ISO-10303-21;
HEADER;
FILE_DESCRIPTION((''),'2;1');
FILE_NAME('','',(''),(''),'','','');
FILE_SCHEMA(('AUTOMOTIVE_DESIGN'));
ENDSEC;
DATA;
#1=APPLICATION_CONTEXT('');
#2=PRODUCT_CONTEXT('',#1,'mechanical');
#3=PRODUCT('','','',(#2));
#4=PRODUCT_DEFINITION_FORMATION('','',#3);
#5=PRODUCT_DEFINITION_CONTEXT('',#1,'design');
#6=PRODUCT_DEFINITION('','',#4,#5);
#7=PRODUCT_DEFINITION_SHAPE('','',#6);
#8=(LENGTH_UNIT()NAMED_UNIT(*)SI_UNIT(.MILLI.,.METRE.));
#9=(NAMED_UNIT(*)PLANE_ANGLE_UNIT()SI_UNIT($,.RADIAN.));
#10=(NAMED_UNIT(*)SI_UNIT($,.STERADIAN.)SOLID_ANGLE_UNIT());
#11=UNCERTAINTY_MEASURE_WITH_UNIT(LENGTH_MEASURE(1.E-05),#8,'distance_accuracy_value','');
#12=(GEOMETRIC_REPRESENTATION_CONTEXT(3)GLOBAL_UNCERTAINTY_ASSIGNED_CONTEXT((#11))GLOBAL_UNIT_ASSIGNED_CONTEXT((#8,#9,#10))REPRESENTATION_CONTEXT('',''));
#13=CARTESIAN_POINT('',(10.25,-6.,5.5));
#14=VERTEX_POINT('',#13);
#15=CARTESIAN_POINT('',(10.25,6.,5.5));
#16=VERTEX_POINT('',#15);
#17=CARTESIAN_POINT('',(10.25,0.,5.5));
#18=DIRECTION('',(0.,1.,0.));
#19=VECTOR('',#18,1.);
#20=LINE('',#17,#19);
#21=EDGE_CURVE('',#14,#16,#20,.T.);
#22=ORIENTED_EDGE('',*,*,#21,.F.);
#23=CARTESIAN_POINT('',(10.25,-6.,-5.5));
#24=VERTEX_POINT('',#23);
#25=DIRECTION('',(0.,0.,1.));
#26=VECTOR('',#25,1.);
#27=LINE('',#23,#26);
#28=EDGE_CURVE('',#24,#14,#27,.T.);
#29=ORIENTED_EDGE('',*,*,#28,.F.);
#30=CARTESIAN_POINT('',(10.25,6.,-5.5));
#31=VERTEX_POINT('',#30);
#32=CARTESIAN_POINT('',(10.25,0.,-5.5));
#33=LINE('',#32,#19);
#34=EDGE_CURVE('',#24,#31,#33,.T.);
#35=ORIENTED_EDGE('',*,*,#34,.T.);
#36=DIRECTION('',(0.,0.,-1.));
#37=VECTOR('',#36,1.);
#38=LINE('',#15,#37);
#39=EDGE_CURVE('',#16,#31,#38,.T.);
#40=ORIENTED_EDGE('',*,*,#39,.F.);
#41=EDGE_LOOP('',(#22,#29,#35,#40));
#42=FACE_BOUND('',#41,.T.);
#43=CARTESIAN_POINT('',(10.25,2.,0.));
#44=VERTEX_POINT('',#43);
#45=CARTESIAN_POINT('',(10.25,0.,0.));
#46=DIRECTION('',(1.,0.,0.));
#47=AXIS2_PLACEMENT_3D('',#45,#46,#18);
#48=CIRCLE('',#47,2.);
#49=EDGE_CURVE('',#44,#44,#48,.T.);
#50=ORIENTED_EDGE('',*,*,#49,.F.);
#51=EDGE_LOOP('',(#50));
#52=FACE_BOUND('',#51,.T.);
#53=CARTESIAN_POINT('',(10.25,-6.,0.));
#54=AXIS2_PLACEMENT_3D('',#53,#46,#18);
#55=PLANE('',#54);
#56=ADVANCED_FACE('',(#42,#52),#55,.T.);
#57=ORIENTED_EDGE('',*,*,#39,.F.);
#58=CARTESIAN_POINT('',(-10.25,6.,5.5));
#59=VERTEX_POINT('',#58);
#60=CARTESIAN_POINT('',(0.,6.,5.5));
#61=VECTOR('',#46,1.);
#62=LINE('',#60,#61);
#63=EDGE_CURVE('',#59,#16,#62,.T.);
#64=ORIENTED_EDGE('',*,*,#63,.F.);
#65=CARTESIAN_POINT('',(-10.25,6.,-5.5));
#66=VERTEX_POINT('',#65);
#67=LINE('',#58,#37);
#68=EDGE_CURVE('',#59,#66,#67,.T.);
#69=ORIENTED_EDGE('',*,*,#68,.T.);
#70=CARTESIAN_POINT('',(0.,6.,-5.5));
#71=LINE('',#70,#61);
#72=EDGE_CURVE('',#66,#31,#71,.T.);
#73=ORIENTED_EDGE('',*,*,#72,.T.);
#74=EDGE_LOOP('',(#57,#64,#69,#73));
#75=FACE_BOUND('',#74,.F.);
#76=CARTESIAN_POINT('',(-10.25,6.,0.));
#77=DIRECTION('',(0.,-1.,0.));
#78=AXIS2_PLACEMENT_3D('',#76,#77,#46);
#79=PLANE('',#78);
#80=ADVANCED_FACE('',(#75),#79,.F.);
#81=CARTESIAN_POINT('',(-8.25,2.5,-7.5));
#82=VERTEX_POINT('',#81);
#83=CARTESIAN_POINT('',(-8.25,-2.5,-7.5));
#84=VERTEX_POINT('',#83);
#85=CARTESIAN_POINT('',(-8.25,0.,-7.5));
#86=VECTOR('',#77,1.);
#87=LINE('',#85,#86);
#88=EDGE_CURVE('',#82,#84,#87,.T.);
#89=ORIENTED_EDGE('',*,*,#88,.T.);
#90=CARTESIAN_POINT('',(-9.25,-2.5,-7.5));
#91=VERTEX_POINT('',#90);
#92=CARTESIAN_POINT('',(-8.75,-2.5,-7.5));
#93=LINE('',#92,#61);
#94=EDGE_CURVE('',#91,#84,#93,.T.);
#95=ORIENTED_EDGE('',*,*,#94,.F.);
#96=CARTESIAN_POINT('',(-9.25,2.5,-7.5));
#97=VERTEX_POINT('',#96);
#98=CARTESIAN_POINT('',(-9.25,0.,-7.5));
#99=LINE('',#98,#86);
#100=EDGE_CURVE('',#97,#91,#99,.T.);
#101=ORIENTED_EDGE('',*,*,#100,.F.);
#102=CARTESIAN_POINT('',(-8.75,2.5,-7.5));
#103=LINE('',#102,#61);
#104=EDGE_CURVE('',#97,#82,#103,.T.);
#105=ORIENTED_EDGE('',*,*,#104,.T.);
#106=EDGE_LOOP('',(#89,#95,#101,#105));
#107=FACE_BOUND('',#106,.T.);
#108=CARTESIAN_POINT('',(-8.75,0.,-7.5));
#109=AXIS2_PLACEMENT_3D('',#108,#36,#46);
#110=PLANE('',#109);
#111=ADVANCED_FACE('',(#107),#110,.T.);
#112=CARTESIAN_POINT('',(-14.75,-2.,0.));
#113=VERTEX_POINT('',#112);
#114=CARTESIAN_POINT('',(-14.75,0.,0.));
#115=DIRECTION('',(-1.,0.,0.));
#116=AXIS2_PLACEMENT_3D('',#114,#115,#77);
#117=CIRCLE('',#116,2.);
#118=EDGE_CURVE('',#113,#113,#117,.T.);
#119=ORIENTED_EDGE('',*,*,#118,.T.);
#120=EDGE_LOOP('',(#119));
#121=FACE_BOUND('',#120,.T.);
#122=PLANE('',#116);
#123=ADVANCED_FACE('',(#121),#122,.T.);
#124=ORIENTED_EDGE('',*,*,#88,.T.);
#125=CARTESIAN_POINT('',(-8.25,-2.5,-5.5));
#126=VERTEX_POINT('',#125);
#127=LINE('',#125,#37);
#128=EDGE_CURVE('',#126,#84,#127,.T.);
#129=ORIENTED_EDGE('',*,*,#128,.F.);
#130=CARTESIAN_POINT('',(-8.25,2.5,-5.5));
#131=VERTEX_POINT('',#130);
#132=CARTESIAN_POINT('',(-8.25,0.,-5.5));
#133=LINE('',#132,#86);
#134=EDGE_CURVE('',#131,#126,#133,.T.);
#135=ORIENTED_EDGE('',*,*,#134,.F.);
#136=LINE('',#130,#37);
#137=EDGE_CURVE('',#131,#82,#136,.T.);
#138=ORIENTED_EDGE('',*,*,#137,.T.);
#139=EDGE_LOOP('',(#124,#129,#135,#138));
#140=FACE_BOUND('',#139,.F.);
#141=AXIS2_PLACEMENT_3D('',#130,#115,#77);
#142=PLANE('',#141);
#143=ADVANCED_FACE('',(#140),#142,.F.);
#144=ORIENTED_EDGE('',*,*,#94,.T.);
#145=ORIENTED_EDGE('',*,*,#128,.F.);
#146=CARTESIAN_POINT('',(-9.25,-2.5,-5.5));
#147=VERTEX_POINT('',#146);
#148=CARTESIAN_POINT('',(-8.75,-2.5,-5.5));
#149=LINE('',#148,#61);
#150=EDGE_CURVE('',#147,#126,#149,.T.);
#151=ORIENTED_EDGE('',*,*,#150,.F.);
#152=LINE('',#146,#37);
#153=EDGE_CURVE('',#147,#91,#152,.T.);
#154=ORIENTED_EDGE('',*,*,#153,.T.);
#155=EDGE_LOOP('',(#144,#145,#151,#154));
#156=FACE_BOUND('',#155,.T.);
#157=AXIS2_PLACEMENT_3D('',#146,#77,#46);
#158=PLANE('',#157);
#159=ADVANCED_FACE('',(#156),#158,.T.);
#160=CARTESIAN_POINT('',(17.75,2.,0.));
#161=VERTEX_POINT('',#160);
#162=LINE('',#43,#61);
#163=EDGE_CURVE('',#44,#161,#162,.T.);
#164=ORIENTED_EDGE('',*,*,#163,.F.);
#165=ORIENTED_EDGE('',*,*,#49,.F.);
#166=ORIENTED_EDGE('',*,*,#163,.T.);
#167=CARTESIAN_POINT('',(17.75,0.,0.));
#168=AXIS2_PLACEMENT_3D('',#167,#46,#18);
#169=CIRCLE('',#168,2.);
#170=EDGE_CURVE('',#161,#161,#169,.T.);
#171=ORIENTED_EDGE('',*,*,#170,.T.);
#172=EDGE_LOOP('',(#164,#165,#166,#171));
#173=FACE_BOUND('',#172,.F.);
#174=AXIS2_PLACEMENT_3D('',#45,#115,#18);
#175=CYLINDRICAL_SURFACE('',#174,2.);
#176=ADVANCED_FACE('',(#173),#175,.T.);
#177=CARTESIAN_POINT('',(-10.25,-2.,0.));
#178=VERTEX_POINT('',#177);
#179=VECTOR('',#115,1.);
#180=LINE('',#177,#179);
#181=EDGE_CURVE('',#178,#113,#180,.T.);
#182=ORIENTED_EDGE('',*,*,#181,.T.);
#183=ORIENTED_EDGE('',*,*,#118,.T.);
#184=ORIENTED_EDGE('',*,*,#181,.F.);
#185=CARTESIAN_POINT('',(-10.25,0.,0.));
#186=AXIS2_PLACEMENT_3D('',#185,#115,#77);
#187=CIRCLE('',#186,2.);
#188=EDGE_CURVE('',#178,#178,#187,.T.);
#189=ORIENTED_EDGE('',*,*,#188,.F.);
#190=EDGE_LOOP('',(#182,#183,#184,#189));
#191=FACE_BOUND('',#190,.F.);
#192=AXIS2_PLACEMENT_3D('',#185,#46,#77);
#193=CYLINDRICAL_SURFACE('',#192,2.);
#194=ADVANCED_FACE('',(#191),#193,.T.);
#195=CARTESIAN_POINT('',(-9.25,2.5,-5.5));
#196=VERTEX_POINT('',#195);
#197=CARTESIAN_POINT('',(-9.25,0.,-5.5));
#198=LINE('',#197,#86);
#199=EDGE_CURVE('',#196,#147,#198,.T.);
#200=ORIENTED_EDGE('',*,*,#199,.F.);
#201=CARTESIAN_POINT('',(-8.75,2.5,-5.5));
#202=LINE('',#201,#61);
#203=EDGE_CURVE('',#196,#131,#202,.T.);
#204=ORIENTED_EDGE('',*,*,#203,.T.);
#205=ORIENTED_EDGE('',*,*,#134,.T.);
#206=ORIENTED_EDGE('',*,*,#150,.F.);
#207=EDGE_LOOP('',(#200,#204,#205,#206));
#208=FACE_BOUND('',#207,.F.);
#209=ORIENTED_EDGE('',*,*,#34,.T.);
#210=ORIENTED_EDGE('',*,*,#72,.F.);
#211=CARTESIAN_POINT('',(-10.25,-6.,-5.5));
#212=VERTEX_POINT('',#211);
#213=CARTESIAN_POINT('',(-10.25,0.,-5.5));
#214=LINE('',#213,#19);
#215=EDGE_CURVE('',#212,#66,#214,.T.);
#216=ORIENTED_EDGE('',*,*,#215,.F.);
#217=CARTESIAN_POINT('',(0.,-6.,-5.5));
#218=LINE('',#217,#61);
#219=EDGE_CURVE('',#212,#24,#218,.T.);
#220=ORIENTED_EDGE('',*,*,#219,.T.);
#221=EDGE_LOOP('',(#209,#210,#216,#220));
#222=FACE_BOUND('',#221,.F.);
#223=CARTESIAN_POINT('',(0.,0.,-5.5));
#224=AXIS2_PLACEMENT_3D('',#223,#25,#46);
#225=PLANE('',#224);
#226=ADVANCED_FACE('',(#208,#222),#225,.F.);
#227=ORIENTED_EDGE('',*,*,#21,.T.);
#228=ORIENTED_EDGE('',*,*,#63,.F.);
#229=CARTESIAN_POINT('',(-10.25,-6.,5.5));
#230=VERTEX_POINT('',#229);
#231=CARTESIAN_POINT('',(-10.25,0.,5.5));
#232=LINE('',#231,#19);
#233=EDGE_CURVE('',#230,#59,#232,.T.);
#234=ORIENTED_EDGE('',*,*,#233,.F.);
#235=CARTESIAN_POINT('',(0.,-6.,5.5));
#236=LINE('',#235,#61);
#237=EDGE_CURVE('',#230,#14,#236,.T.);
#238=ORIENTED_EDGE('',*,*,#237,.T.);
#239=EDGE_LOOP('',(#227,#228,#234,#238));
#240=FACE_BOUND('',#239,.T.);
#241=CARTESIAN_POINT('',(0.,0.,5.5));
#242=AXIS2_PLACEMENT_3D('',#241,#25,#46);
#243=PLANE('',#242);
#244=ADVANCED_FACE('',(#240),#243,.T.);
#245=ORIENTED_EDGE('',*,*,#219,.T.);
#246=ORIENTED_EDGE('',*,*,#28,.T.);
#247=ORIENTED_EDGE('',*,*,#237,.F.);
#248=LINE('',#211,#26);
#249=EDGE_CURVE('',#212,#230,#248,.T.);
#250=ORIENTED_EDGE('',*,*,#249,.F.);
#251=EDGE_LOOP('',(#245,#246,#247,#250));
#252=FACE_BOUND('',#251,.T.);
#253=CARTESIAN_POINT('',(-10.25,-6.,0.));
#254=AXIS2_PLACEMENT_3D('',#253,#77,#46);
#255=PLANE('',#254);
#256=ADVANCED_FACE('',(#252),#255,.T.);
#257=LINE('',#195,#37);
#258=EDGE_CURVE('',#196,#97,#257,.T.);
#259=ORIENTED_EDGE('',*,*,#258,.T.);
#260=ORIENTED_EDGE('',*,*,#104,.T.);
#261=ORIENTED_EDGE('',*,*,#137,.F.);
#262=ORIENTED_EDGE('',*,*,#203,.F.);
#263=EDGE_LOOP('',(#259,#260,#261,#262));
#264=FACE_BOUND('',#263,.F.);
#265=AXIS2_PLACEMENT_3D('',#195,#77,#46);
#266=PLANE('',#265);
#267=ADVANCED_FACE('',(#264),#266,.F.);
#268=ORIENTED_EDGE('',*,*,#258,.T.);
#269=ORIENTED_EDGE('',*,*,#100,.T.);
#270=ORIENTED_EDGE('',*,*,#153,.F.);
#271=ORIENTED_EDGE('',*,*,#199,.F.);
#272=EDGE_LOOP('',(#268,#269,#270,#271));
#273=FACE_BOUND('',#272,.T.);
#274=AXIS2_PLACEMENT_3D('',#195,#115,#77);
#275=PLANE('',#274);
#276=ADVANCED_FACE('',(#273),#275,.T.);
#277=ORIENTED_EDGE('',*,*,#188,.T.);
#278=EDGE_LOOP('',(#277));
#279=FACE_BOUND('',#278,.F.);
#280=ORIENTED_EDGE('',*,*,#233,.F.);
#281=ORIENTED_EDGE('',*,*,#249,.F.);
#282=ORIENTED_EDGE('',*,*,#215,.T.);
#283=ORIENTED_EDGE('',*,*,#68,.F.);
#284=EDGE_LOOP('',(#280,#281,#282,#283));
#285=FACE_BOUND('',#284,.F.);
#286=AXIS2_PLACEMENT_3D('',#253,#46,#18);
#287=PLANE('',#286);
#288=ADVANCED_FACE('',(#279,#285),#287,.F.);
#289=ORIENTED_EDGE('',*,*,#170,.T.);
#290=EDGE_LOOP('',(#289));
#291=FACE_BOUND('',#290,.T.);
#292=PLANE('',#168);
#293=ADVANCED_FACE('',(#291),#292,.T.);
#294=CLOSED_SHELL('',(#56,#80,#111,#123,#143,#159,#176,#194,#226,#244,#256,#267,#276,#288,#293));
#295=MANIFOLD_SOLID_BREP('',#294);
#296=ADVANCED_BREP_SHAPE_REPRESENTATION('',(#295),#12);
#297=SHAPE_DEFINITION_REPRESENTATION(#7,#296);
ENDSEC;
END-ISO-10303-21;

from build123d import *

# Parameters (mm, degrees)
F0_W          = 20.5
F0_H          = 12
F1_DEPTH      = 5.5
F1_DEPTH_BACK = 5.5
F2_R          = 2
F3_DEPTH      = 4.5
F4_R          = 2
F5_DEPTH      = 7.5
F6_W          = 1
F6_H          = 5
F7_DEPTH      = 2


with BuildPart() as f1:
    # F0 (on Top) → F1 (new body, two sides)
    with BuildSketch(Plane.XY) as f1_sk:
        Rectangle(F0_W, F0_H)
    extrude(amount=F1_DEPTH)
    extrude(f1_sk.sketch, amount=-F1_DEPTH_BACK)

    # F2 (on face) → F3 (join)
    with BuildSketch(Plane(origin=(-10.25, 0, 0), x_dir=(0, -1, 0), z_dir=(-1, 0, 0))):
        Circle(F2_R)
    extrude(amount=F3_DEPTH)

    # F4 (on face) → F5 (join)
    with BuildSketch(Plane.YZ.offset(10.25)):
        Circle(F4_R)
    extrude(amount=F5_DEPTH)

    # F6 (on face) → F7 (join)
    with BuildSketch(Plane(origin=(0, 0, -5.5), x_dir=(1, 0, 0), z_dir=(0, 0, -1))):
        with Locations((-8.75, 0)):
            Rectangle(F6_W, F6_H)
    extrude(amount=F7_DEPTH)


solid = f1.part
